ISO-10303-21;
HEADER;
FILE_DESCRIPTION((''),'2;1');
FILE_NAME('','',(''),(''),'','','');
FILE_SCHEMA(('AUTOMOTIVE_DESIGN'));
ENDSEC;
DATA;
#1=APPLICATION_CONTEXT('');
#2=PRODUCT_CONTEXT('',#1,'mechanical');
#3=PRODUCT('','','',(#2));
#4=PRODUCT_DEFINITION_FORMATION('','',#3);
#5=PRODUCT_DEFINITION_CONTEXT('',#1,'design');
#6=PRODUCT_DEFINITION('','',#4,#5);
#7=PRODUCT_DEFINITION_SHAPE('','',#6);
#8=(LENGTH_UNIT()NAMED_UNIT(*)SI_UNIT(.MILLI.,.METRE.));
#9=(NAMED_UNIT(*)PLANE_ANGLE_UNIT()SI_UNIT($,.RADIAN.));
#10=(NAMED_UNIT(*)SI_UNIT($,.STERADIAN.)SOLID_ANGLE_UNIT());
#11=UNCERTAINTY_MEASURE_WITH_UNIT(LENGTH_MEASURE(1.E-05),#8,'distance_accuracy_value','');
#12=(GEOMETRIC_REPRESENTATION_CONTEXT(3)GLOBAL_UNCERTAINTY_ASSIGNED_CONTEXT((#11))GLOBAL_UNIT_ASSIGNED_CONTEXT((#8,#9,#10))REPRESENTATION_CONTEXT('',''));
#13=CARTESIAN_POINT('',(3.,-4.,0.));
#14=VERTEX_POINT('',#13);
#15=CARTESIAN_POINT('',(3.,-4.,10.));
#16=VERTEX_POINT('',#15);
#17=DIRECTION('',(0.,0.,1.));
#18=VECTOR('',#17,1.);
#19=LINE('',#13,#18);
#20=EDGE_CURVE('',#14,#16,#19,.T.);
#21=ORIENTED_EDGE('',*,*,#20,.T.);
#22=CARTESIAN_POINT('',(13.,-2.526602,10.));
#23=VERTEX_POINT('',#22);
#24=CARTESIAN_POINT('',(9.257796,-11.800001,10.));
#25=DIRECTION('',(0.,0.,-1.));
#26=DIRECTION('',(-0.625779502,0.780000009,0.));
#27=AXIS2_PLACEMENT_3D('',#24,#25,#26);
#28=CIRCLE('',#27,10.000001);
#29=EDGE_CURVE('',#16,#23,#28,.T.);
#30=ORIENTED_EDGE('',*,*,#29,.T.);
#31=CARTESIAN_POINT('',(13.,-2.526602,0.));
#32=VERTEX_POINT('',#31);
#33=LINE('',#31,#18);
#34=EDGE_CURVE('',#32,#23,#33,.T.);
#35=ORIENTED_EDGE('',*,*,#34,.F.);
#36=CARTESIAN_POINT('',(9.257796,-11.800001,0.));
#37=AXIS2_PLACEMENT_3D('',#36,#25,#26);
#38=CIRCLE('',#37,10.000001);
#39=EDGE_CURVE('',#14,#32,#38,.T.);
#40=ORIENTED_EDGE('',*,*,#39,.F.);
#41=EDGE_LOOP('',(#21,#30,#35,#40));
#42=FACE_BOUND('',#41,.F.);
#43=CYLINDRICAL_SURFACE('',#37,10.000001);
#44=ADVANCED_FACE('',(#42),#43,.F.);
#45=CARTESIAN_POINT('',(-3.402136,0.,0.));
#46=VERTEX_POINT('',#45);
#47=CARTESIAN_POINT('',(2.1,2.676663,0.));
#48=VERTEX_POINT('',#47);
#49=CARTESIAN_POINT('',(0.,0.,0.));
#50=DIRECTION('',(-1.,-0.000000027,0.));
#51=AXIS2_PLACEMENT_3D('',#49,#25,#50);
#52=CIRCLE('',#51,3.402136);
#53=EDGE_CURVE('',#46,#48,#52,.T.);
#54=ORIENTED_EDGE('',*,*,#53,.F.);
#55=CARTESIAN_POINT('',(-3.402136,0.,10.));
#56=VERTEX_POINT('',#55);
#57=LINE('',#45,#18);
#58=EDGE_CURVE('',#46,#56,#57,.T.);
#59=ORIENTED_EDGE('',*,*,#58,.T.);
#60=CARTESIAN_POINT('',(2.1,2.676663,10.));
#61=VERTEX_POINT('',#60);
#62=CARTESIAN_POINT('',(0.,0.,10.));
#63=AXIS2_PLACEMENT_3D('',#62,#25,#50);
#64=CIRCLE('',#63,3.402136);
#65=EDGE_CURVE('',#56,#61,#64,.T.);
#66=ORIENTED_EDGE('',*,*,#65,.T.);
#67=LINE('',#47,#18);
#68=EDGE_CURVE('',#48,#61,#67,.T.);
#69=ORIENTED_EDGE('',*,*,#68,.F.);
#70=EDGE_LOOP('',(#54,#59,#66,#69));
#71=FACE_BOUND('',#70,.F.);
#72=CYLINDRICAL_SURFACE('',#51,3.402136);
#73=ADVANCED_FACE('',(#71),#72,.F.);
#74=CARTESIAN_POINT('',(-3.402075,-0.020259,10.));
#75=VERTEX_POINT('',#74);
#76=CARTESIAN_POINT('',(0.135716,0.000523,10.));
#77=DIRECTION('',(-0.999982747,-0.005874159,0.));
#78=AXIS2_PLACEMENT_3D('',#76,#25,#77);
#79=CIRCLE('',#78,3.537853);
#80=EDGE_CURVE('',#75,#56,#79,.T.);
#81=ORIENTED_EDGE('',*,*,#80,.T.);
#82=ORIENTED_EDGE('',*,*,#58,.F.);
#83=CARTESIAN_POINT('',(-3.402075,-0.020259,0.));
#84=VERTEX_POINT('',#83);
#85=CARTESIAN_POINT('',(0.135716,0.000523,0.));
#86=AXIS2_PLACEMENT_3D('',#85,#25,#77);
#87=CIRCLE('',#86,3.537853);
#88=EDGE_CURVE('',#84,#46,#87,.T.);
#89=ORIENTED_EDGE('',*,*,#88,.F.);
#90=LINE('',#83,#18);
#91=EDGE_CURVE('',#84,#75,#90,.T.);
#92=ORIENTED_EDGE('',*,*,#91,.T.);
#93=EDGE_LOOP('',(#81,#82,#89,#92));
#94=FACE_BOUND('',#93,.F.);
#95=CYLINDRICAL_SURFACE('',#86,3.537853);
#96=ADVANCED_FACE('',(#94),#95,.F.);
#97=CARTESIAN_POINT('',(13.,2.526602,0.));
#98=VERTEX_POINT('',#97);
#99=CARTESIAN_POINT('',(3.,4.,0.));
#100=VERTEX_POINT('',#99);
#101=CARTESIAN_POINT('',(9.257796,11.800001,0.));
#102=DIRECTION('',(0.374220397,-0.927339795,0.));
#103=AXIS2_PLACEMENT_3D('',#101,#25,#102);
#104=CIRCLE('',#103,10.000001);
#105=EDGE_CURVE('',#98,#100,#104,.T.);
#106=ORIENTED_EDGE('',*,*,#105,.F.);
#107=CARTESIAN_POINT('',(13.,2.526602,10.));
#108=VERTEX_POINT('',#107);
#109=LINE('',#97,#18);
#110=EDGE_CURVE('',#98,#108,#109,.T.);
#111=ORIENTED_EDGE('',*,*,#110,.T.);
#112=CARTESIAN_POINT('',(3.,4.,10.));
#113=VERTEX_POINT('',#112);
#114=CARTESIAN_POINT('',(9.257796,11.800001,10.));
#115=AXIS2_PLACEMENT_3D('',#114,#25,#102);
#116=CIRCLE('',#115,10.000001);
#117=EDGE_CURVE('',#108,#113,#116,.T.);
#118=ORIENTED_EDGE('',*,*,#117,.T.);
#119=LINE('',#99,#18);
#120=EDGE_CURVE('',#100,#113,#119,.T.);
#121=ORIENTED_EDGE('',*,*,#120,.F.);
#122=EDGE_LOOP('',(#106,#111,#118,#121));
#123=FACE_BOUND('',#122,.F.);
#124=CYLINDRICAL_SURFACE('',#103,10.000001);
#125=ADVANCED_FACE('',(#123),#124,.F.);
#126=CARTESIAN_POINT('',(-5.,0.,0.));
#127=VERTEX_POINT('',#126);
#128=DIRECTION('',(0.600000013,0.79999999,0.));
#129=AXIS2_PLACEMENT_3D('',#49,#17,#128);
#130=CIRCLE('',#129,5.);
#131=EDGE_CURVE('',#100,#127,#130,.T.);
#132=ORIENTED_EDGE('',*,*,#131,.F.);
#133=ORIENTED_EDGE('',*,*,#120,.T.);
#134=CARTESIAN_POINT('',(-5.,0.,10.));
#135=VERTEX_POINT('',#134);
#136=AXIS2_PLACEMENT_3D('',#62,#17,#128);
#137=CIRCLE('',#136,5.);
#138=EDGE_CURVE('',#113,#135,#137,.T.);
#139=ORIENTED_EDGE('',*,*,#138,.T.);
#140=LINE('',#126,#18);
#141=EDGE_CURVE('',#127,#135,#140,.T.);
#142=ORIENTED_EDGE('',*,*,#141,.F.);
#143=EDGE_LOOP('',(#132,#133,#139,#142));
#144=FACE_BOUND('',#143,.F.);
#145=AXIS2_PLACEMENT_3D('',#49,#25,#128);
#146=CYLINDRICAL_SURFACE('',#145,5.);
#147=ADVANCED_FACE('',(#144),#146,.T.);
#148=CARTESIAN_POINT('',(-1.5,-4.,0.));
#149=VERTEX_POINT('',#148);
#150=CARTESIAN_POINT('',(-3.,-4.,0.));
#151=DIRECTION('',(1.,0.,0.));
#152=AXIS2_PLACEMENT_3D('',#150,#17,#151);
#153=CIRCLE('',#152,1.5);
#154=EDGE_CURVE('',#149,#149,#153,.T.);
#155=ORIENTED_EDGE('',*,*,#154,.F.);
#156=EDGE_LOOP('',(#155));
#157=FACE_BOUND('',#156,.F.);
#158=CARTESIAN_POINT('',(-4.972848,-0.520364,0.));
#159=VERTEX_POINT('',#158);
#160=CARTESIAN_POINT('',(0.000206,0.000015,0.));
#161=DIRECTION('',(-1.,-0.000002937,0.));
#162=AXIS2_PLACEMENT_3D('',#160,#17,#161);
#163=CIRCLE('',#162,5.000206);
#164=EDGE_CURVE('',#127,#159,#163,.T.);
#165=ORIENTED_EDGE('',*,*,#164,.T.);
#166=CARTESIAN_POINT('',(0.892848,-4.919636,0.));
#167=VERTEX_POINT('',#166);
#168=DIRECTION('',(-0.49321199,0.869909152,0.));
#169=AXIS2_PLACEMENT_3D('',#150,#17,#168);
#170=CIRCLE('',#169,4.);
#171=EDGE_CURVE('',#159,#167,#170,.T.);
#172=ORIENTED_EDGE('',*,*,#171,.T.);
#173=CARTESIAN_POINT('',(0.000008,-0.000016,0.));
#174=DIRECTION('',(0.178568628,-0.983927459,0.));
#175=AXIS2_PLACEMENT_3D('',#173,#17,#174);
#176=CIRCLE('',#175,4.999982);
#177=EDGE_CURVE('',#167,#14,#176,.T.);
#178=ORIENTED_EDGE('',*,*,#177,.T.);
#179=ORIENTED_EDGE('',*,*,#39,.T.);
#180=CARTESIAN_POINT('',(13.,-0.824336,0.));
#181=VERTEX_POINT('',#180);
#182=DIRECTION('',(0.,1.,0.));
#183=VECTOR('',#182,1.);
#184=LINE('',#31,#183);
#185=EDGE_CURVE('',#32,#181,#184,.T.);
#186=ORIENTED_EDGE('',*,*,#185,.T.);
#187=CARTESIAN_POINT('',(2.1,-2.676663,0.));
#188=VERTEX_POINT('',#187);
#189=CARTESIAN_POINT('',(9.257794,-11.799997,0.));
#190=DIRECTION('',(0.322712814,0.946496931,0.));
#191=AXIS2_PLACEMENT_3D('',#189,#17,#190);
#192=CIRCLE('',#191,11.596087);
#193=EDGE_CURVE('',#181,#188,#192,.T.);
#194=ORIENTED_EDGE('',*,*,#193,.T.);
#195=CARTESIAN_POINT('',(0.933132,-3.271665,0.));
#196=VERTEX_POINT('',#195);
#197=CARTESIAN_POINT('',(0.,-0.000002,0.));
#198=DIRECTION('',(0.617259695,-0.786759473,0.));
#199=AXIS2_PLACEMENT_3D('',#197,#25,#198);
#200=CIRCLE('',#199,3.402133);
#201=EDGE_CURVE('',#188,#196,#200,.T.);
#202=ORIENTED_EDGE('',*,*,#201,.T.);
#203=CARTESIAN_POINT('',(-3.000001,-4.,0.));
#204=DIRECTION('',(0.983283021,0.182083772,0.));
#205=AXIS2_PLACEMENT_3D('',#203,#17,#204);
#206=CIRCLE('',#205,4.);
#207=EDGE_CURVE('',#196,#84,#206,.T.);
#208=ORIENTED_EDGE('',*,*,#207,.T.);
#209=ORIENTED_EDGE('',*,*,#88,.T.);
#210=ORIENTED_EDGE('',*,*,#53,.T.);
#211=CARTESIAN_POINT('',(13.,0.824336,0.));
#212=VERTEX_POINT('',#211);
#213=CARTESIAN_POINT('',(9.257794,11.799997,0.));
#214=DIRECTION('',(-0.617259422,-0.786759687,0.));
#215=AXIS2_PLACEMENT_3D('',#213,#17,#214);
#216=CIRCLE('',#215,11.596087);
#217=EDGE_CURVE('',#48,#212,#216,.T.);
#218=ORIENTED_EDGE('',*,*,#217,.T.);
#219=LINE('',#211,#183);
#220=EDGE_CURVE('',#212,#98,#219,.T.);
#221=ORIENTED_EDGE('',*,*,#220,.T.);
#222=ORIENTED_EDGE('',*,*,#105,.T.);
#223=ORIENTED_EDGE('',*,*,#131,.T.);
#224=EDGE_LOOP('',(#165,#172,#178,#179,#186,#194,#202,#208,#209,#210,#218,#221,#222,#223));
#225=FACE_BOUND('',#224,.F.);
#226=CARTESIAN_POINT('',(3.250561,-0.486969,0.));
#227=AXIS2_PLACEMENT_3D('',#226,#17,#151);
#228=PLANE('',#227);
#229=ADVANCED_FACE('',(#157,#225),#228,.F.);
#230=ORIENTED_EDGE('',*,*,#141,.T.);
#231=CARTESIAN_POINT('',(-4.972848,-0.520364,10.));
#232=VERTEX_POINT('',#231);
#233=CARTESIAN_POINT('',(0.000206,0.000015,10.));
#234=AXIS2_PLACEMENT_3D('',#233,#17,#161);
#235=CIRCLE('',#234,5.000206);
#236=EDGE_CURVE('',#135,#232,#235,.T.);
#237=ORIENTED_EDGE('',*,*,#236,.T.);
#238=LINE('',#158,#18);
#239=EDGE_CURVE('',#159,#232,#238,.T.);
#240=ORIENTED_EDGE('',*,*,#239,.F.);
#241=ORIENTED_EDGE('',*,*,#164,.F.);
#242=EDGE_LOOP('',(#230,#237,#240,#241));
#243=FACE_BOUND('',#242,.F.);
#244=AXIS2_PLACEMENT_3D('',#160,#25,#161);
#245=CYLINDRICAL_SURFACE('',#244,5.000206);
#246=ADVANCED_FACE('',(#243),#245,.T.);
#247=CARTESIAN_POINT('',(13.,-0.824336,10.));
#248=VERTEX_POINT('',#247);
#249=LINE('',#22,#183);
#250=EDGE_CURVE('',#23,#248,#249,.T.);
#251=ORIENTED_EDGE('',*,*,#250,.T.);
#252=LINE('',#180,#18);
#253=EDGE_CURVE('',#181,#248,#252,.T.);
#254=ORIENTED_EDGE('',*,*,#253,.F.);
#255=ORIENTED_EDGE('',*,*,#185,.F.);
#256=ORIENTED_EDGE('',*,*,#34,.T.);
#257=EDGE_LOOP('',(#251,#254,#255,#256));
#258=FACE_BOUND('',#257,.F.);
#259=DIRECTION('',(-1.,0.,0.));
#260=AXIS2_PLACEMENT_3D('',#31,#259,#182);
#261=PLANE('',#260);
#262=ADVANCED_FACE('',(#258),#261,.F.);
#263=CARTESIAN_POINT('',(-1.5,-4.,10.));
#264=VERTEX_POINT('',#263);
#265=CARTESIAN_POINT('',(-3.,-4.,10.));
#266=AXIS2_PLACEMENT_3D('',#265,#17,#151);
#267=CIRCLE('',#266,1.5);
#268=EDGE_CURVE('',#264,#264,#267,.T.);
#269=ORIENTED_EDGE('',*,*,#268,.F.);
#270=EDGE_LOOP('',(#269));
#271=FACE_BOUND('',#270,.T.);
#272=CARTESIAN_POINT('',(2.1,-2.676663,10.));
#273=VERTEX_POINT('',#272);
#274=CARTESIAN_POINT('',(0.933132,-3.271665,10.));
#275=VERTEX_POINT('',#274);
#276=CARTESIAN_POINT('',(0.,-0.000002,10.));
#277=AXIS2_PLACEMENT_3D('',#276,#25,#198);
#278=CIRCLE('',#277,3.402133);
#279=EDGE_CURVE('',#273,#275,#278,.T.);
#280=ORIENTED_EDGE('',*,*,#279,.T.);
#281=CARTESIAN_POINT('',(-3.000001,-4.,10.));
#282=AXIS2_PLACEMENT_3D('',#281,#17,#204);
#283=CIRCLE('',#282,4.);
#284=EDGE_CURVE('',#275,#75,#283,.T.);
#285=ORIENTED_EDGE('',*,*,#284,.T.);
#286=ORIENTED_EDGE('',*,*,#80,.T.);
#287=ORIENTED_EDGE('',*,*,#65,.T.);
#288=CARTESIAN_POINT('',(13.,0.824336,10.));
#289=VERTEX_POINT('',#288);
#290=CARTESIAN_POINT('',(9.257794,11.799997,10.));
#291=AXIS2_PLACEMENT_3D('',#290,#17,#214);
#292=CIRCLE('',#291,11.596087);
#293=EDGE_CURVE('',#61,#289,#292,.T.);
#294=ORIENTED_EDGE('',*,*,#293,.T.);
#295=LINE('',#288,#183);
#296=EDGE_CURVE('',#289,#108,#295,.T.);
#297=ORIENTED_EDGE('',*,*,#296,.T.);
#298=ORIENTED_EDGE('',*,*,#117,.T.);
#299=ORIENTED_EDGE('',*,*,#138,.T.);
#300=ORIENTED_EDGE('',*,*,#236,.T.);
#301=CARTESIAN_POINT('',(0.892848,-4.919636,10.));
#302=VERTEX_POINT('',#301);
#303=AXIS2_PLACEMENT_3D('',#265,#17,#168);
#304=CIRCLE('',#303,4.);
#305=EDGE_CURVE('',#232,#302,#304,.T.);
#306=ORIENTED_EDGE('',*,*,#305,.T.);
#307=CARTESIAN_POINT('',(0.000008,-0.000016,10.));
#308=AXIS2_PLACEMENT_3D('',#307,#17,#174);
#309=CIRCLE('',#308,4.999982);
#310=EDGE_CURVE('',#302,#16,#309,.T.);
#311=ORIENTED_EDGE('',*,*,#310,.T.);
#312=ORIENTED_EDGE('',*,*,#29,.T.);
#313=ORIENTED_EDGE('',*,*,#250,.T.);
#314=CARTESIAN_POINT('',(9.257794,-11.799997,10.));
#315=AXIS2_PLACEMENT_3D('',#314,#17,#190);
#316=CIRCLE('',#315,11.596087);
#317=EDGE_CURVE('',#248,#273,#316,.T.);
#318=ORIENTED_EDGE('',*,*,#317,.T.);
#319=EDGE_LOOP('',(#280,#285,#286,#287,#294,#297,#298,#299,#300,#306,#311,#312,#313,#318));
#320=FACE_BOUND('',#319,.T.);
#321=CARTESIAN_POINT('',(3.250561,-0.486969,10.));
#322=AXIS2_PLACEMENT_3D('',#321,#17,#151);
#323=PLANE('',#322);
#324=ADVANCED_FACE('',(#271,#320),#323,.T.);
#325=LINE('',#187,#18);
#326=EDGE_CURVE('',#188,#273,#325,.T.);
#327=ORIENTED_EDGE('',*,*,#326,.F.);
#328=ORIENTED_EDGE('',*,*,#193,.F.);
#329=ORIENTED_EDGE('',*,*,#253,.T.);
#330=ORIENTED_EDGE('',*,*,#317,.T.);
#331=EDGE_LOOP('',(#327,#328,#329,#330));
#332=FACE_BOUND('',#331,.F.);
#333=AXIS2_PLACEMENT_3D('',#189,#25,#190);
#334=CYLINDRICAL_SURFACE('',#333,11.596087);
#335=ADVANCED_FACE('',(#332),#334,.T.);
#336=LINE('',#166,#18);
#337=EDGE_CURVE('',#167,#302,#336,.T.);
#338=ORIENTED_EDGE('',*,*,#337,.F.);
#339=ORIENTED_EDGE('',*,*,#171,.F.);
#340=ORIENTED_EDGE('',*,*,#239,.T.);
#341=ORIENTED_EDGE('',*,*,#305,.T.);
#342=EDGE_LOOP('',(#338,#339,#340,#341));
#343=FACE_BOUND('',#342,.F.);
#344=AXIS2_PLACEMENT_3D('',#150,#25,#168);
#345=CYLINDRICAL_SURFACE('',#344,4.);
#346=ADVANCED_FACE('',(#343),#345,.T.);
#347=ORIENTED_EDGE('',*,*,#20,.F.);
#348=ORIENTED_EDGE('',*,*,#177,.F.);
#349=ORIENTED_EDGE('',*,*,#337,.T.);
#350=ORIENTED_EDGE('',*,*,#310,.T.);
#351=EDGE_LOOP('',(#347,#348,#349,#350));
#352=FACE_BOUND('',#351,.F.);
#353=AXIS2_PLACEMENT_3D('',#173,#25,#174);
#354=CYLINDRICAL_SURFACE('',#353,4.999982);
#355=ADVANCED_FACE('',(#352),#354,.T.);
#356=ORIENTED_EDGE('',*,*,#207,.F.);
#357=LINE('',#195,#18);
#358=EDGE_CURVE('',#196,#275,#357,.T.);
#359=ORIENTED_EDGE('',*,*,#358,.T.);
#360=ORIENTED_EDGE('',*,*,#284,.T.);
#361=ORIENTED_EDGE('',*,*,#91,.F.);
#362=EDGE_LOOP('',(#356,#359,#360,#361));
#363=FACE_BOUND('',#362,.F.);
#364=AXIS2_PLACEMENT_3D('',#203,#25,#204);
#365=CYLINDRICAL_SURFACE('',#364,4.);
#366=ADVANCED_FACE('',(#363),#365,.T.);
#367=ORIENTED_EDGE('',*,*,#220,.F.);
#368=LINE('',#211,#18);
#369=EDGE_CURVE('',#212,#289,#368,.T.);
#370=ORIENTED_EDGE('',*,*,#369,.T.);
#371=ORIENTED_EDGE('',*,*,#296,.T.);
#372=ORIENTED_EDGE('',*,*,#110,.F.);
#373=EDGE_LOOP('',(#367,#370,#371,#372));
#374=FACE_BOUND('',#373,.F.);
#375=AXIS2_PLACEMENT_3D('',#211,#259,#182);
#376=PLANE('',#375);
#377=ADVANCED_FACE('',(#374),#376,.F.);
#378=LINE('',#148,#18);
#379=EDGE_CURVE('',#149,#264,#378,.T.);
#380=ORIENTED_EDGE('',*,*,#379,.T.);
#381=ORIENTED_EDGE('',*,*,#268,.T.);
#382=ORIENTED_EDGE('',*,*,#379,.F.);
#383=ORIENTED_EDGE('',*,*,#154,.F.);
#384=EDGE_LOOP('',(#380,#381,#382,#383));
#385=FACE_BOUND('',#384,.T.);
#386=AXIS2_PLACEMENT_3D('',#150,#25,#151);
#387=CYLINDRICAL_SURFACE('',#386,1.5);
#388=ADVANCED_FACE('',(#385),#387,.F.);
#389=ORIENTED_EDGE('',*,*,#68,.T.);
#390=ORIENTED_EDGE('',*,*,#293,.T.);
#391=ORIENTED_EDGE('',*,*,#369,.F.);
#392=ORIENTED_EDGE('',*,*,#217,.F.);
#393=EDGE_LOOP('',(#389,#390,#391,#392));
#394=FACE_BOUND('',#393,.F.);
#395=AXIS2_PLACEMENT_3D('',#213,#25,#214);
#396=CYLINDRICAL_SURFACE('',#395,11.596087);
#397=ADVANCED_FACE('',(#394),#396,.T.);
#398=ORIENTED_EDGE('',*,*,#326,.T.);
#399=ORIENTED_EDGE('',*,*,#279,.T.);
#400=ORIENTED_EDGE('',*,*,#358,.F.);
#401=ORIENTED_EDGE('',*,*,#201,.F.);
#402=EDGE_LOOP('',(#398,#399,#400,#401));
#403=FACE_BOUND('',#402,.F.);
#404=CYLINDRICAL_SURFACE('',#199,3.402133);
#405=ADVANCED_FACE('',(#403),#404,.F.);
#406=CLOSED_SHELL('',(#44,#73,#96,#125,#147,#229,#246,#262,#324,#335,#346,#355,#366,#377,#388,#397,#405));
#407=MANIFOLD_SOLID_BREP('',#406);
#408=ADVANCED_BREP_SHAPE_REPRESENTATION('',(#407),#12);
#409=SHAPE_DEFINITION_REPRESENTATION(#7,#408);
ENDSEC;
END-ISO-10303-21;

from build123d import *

# Parameters (mm, degrees)
F0_R     = 1.5
F1_DEPTH = 10


with BuildPart() as f1:
    # F0 (on Top) → F1 (new body)
    with BuildSketch(Plane.XY):
        with BuildLine():
            ThreePointArc((13, 2.526602), (7.800135, 1.906809), (3, 4))
            ThreePointArc((3, 4), (-2.236068, 4.472136), (-5, 0))
            ThreePointArc((-5, 0), (-4.993207, -0.260536), (-4.972848, -0.520364))
            ThreePointArc((-4.972848, -0.520364), (-5.4, -7.2), (0.892848, -4.919636))
            ThreePointArc((0.892848, -4.919636), (2, -4.582576), (3, -4))
            ThreePointArc((3, -4), (7.800135, -1.906809), (13, -2.526602))
            Line((13, -2.526602), (13, -0.824336))
            ThreePointArc((13, -0.824336), (7.315028, -0.36781), (2.1, -2.676663))
            ThreePointArc((2.1, -2.676663), (1.545471, -3.030849), (0.933132, -3.271665))
            ThreePointArc((0.933132, -3.271665), (-0.6, -0.8), (-3.402075, -0.020259))
            ThreePointArc((-3.402075, -0.020259), (-3.40212, -0.01013), (-3.402136, 0))
            ThreePointArc((-3.402136, 0), (-1.488295, 3.059331), (2.1, 2.676663))
            ThreePointArc((2.1, 2.676663), (7.315028, 0.36781), (13, 0.824336))
            Line((13, 0.824336), (13, 2.526602))
        make_face()
        with Locations((-3, -4)):
            Circle(F0_R, mode=Mode.SUBTRACT)
    extrude(amount=F1_DEPTH)


solid = f1.part
